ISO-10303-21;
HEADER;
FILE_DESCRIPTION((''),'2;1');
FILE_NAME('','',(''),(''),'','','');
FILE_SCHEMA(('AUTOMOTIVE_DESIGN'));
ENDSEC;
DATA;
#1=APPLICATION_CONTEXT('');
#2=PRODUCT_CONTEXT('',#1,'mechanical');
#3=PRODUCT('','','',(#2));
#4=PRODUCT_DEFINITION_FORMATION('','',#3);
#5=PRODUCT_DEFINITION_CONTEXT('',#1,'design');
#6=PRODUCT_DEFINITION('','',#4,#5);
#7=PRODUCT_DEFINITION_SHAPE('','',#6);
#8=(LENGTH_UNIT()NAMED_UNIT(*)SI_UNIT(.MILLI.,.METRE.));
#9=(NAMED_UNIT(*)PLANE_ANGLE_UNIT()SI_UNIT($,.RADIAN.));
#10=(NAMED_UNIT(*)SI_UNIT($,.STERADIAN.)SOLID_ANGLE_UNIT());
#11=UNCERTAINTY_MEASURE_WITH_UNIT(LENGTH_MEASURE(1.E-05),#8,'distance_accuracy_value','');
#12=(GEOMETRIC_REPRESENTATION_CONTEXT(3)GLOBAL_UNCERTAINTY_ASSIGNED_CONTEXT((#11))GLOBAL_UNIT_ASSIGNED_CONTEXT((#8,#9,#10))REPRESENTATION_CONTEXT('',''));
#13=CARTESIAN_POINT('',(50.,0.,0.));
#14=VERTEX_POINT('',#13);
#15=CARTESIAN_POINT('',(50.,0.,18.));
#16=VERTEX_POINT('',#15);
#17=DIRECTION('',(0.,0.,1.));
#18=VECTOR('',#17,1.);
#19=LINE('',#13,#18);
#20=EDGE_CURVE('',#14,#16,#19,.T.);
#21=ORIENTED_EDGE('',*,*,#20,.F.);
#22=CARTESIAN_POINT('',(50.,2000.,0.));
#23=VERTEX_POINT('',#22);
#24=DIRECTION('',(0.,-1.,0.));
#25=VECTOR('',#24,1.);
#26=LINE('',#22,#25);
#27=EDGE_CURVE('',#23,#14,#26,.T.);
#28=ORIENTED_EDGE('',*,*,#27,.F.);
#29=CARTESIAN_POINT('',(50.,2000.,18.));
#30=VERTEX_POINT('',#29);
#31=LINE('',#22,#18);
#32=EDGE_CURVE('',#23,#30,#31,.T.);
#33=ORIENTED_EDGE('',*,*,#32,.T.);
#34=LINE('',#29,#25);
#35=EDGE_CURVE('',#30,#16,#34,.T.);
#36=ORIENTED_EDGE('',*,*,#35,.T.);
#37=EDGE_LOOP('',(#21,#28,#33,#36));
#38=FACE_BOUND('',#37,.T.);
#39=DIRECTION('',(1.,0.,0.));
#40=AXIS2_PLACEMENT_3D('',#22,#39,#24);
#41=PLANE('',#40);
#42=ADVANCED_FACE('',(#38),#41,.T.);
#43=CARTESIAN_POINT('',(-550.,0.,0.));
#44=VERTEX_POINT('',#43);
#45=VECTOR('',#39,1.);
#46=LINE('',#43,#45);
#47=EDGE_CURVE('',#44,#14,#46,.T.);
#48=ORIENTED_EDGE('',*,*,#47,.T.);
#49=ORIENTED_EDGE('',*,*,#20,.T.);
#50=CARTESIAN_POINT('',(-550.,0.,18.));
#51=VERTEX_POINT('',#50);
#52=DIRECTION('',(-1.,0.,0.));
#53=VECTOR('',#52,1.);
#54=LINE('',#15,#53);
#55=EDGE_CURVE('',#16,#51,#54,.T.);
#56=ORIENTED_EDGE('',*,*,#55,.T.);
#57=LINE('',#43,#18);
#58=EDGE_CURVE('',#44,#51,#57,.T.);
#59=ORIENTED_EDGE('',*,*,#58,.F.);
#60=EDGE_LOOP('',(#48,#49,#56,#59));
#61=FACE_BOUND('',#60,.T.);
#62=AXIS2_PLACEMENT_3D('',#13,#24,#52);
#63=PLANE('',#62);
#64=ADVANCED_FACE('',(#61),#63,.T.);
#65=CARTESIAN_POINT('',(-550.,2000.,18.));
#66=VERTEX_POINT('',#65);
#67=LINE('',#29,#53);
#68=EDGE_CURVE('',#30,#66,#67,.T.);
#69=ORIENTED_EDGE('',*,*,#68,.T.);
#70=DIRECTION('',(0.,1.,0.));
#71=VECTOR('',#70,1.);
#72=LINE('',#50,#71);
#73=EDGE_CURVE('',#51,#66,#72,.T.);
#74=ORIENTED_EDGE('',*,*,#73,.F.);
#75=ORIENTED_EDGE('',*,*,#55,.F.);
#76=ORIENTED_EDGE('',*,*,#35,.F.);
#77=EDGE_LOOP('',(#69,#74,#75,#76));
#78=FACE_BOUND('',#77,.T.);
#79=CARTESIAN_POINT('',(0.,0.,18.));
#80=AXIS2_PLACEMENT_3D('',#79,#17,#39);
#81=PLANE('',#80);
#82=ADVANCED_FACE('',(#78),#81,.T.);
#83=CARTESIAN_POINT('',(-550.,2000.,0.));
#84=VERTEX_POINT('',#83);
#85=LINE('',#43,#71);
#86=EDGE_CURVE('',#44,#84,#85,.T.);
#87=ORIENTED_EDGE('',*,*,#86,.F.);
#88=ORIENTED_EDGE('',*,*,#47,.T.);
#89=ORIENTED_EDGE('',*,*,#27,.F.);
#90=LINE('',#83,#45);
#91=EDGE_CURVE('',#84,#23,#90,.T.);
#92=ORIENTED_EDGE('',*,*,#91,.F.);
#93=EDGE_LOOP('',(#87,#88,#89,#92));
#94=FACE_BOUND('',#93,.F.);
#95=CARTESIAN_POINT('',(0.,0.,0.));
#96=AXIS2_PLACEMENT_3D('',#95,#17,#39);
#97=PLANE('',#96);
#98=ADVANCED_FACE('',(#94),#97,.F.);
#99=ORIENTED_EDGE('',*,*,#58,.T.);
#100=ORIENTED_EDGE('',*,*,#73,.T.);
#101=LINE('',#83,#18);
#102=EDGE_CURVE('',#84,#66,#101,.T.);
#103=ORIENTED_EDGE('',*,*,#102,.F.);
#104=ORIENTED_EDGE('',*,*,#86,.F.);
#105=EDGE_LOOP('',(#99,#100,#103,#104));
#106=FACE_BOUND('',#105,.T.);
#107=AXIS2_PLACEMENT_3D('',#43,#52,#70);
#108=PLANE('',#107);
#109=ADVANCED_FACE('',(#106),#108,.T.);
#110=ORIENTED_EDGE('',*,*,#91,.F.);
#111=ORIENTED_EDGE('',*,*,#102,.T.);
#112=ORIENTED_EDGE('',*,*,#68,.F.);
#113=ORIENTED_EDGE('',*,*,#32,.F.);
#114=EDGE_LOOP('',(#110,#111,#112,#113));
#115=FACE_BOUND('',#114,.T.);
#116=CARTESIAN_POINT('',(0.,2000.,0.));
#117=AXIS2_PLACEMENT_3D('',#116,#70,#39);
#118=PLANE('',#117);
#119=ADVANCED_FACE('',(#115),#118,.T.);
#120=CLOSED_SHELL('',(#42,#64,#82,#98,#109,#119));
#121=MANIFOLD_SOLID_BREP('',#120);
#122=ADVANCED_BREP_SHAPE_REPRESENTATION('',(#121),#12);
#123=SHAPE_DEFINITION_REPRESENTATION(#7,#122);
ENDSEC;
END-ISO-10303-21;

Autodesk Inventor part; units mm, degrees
ref_plane "YZ Plane" through (0, 0, 0) normal (1, 0, 0) x (0, 1, 0)
ref_plane "XZ Plane" through (0, 0, 0) normal (0, 1, 0) x (-1, 0, 0)
ref_plane "XY Plane" through (0, 0, 0) normal (0, 0, 1) x (1, 0, 0)
ref_plane "Płaszczyzna konstrukcyjna1" through (0, 0, 0) normal (0, 0, 1) x (1, 0, 0)
sketch "Szkic1" plane through (0, 0, 0) normal (0, 0, 1) x (1, 0, 0)
  line L0 (50, 0) -> (-550, 0)
  line L1 (-550, 0) -> (-550, 2000)
  line L2 (-550, 2000) -> (50, 2000)
  line L3 (50, 2000) -> (50, 0)
  line L4 (0, 0) -> (0, 2000) projected
  dimension "d0" = 600
  dimension "d1" = 2000
  dimension "d2" = 50
extrude "Wyciągnięcie proste1" add sketch "Szkic1" along normal blind 18
properties part number "sciana" material "MDF — płyta pilśniowa o średniej gęstości"
